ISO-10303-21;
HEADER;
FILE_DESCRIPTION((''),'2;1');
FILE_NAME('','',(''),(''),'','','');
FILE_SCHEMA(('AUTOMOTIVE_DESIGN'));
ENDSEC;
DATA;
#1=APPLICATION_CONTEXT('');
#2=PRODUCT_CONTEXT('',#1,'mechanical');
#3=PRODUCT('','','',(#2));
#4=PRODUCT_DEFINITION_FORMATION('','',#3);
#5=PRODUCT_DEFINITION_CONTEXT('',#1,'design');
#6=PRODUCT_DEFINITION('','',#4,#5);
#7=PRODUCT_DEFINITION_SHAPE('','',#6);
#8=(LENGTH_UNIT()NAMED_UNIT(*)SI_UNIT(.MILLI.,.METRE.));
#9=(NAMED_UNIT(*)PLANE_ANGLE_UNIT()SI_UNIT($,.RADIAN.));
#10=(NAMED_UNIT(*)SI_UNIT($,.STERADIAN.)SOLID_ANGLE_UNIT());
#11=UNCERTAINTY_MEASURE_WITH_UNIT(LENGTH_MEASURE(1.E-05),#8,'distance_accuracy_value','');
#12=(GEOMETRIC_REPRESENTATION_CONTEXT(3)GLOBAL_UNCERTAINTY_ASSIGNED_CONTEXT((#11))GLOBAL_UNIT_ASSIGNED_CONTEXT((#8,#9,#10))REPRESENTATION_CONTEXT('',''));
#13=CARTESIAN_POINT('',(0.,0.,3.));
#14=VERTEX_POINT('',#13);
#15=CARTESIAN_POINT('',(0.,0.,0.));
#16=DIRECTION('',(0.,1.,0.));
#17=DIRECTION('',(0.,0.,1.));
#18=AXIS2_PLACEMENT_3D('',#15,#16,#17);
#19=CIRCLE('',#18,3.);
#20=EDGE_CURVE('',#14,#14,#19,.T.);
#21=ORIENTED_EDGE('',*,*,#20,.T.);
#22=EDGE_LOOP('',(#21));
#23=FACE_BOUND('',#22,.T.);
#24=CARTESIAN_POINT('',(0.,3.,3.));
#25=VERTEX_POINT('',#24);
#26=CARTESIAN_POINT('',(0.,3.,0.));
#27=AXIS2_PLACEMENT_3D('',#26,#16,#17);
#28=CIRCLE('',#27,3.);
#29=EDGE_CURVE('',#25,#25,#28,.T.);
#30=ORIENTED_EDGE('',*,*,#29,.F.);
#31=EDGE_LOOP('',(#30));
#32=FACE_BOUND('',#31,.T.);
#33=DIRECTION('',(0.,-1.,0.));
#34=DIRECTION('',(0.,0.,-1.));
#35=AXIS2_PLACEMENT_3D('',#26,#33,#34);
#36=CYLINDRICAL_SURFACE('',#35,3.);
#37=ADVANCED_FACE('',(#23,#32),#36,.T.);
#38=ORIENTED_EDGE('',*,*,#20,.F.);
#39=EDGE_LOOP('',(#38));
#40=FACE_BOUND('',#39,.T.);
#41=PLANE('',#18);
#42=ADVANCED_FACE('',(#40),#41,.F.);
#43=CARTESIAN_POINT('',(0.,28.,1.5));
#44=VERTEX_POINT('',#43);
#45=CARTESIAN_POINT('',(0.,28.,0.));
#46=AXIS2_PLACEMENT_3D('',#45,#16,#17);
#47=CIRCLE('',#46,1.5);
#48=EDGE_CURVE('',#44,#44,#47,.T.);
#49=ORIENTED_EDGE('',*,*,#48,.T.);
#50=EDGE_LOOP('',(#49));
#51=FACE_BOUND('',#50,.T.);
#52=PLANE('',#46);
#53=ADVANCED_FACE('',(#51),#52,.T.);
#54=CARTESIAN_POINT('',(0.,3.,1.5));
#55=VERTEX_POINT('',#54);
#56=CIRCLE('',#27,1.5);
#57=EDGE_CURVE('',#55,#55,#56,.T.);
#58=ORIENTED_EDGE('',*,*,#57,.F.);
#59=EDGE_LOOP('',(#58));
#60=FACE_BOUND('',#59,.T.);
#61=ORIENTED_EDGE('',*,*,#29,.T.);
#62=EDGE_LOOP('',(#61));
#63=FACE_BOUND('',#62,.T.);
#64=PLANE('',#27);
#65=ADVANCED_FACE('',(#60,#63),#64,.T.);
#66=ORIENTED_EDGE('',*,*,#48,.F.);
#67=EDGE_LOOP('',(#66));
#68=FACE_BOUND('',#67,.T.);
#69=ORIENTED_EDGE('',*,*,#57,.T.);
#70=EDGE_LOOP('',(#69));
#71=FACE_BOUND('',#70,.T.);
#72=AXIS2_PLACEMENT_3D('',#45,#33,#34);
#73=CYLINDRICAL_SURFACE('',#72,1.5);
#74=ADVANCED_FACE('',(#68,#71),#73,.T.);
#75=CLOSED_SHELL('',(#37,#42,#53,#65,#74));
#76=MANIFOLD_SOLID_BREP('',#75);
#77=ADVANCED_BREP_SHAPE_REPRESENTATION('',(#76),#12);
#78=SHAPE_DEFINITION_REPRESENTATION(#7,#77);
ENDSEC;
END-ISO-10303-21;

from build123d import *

# Parameters (mm, degrees)
SKETCH1_R           = 3
BOSS_EXTRUDE1_DEPTH = 3
SKETCH2_R           = 1.5
BOSS_EXTRUDE2_DEPTH = 25


with BuildPart() as part:
    # Sketch1 → Boss-Extrude1 (new body)
    with BuildSketch(Plane(origin=(0, 0, 0), x_dir=(1, 0, 0), z_dir=(0, 1, 0))):
        Circle(SKETCH1_R)
    extrude(amount=BOSS_EXTRUDE1_DEPTH)

    # Sketch2 → Boss-Extrude2 (add)
    with BuildSketch(Plane(origin=(0, 3, 0), x_dir=(1, 0, 0), z_dir=(0, 1, 0))):
        Circle(SKETCH2_R)
    extrude(amount=BOSS_EXTRUDE2_DEPTH)


solid = part.part
